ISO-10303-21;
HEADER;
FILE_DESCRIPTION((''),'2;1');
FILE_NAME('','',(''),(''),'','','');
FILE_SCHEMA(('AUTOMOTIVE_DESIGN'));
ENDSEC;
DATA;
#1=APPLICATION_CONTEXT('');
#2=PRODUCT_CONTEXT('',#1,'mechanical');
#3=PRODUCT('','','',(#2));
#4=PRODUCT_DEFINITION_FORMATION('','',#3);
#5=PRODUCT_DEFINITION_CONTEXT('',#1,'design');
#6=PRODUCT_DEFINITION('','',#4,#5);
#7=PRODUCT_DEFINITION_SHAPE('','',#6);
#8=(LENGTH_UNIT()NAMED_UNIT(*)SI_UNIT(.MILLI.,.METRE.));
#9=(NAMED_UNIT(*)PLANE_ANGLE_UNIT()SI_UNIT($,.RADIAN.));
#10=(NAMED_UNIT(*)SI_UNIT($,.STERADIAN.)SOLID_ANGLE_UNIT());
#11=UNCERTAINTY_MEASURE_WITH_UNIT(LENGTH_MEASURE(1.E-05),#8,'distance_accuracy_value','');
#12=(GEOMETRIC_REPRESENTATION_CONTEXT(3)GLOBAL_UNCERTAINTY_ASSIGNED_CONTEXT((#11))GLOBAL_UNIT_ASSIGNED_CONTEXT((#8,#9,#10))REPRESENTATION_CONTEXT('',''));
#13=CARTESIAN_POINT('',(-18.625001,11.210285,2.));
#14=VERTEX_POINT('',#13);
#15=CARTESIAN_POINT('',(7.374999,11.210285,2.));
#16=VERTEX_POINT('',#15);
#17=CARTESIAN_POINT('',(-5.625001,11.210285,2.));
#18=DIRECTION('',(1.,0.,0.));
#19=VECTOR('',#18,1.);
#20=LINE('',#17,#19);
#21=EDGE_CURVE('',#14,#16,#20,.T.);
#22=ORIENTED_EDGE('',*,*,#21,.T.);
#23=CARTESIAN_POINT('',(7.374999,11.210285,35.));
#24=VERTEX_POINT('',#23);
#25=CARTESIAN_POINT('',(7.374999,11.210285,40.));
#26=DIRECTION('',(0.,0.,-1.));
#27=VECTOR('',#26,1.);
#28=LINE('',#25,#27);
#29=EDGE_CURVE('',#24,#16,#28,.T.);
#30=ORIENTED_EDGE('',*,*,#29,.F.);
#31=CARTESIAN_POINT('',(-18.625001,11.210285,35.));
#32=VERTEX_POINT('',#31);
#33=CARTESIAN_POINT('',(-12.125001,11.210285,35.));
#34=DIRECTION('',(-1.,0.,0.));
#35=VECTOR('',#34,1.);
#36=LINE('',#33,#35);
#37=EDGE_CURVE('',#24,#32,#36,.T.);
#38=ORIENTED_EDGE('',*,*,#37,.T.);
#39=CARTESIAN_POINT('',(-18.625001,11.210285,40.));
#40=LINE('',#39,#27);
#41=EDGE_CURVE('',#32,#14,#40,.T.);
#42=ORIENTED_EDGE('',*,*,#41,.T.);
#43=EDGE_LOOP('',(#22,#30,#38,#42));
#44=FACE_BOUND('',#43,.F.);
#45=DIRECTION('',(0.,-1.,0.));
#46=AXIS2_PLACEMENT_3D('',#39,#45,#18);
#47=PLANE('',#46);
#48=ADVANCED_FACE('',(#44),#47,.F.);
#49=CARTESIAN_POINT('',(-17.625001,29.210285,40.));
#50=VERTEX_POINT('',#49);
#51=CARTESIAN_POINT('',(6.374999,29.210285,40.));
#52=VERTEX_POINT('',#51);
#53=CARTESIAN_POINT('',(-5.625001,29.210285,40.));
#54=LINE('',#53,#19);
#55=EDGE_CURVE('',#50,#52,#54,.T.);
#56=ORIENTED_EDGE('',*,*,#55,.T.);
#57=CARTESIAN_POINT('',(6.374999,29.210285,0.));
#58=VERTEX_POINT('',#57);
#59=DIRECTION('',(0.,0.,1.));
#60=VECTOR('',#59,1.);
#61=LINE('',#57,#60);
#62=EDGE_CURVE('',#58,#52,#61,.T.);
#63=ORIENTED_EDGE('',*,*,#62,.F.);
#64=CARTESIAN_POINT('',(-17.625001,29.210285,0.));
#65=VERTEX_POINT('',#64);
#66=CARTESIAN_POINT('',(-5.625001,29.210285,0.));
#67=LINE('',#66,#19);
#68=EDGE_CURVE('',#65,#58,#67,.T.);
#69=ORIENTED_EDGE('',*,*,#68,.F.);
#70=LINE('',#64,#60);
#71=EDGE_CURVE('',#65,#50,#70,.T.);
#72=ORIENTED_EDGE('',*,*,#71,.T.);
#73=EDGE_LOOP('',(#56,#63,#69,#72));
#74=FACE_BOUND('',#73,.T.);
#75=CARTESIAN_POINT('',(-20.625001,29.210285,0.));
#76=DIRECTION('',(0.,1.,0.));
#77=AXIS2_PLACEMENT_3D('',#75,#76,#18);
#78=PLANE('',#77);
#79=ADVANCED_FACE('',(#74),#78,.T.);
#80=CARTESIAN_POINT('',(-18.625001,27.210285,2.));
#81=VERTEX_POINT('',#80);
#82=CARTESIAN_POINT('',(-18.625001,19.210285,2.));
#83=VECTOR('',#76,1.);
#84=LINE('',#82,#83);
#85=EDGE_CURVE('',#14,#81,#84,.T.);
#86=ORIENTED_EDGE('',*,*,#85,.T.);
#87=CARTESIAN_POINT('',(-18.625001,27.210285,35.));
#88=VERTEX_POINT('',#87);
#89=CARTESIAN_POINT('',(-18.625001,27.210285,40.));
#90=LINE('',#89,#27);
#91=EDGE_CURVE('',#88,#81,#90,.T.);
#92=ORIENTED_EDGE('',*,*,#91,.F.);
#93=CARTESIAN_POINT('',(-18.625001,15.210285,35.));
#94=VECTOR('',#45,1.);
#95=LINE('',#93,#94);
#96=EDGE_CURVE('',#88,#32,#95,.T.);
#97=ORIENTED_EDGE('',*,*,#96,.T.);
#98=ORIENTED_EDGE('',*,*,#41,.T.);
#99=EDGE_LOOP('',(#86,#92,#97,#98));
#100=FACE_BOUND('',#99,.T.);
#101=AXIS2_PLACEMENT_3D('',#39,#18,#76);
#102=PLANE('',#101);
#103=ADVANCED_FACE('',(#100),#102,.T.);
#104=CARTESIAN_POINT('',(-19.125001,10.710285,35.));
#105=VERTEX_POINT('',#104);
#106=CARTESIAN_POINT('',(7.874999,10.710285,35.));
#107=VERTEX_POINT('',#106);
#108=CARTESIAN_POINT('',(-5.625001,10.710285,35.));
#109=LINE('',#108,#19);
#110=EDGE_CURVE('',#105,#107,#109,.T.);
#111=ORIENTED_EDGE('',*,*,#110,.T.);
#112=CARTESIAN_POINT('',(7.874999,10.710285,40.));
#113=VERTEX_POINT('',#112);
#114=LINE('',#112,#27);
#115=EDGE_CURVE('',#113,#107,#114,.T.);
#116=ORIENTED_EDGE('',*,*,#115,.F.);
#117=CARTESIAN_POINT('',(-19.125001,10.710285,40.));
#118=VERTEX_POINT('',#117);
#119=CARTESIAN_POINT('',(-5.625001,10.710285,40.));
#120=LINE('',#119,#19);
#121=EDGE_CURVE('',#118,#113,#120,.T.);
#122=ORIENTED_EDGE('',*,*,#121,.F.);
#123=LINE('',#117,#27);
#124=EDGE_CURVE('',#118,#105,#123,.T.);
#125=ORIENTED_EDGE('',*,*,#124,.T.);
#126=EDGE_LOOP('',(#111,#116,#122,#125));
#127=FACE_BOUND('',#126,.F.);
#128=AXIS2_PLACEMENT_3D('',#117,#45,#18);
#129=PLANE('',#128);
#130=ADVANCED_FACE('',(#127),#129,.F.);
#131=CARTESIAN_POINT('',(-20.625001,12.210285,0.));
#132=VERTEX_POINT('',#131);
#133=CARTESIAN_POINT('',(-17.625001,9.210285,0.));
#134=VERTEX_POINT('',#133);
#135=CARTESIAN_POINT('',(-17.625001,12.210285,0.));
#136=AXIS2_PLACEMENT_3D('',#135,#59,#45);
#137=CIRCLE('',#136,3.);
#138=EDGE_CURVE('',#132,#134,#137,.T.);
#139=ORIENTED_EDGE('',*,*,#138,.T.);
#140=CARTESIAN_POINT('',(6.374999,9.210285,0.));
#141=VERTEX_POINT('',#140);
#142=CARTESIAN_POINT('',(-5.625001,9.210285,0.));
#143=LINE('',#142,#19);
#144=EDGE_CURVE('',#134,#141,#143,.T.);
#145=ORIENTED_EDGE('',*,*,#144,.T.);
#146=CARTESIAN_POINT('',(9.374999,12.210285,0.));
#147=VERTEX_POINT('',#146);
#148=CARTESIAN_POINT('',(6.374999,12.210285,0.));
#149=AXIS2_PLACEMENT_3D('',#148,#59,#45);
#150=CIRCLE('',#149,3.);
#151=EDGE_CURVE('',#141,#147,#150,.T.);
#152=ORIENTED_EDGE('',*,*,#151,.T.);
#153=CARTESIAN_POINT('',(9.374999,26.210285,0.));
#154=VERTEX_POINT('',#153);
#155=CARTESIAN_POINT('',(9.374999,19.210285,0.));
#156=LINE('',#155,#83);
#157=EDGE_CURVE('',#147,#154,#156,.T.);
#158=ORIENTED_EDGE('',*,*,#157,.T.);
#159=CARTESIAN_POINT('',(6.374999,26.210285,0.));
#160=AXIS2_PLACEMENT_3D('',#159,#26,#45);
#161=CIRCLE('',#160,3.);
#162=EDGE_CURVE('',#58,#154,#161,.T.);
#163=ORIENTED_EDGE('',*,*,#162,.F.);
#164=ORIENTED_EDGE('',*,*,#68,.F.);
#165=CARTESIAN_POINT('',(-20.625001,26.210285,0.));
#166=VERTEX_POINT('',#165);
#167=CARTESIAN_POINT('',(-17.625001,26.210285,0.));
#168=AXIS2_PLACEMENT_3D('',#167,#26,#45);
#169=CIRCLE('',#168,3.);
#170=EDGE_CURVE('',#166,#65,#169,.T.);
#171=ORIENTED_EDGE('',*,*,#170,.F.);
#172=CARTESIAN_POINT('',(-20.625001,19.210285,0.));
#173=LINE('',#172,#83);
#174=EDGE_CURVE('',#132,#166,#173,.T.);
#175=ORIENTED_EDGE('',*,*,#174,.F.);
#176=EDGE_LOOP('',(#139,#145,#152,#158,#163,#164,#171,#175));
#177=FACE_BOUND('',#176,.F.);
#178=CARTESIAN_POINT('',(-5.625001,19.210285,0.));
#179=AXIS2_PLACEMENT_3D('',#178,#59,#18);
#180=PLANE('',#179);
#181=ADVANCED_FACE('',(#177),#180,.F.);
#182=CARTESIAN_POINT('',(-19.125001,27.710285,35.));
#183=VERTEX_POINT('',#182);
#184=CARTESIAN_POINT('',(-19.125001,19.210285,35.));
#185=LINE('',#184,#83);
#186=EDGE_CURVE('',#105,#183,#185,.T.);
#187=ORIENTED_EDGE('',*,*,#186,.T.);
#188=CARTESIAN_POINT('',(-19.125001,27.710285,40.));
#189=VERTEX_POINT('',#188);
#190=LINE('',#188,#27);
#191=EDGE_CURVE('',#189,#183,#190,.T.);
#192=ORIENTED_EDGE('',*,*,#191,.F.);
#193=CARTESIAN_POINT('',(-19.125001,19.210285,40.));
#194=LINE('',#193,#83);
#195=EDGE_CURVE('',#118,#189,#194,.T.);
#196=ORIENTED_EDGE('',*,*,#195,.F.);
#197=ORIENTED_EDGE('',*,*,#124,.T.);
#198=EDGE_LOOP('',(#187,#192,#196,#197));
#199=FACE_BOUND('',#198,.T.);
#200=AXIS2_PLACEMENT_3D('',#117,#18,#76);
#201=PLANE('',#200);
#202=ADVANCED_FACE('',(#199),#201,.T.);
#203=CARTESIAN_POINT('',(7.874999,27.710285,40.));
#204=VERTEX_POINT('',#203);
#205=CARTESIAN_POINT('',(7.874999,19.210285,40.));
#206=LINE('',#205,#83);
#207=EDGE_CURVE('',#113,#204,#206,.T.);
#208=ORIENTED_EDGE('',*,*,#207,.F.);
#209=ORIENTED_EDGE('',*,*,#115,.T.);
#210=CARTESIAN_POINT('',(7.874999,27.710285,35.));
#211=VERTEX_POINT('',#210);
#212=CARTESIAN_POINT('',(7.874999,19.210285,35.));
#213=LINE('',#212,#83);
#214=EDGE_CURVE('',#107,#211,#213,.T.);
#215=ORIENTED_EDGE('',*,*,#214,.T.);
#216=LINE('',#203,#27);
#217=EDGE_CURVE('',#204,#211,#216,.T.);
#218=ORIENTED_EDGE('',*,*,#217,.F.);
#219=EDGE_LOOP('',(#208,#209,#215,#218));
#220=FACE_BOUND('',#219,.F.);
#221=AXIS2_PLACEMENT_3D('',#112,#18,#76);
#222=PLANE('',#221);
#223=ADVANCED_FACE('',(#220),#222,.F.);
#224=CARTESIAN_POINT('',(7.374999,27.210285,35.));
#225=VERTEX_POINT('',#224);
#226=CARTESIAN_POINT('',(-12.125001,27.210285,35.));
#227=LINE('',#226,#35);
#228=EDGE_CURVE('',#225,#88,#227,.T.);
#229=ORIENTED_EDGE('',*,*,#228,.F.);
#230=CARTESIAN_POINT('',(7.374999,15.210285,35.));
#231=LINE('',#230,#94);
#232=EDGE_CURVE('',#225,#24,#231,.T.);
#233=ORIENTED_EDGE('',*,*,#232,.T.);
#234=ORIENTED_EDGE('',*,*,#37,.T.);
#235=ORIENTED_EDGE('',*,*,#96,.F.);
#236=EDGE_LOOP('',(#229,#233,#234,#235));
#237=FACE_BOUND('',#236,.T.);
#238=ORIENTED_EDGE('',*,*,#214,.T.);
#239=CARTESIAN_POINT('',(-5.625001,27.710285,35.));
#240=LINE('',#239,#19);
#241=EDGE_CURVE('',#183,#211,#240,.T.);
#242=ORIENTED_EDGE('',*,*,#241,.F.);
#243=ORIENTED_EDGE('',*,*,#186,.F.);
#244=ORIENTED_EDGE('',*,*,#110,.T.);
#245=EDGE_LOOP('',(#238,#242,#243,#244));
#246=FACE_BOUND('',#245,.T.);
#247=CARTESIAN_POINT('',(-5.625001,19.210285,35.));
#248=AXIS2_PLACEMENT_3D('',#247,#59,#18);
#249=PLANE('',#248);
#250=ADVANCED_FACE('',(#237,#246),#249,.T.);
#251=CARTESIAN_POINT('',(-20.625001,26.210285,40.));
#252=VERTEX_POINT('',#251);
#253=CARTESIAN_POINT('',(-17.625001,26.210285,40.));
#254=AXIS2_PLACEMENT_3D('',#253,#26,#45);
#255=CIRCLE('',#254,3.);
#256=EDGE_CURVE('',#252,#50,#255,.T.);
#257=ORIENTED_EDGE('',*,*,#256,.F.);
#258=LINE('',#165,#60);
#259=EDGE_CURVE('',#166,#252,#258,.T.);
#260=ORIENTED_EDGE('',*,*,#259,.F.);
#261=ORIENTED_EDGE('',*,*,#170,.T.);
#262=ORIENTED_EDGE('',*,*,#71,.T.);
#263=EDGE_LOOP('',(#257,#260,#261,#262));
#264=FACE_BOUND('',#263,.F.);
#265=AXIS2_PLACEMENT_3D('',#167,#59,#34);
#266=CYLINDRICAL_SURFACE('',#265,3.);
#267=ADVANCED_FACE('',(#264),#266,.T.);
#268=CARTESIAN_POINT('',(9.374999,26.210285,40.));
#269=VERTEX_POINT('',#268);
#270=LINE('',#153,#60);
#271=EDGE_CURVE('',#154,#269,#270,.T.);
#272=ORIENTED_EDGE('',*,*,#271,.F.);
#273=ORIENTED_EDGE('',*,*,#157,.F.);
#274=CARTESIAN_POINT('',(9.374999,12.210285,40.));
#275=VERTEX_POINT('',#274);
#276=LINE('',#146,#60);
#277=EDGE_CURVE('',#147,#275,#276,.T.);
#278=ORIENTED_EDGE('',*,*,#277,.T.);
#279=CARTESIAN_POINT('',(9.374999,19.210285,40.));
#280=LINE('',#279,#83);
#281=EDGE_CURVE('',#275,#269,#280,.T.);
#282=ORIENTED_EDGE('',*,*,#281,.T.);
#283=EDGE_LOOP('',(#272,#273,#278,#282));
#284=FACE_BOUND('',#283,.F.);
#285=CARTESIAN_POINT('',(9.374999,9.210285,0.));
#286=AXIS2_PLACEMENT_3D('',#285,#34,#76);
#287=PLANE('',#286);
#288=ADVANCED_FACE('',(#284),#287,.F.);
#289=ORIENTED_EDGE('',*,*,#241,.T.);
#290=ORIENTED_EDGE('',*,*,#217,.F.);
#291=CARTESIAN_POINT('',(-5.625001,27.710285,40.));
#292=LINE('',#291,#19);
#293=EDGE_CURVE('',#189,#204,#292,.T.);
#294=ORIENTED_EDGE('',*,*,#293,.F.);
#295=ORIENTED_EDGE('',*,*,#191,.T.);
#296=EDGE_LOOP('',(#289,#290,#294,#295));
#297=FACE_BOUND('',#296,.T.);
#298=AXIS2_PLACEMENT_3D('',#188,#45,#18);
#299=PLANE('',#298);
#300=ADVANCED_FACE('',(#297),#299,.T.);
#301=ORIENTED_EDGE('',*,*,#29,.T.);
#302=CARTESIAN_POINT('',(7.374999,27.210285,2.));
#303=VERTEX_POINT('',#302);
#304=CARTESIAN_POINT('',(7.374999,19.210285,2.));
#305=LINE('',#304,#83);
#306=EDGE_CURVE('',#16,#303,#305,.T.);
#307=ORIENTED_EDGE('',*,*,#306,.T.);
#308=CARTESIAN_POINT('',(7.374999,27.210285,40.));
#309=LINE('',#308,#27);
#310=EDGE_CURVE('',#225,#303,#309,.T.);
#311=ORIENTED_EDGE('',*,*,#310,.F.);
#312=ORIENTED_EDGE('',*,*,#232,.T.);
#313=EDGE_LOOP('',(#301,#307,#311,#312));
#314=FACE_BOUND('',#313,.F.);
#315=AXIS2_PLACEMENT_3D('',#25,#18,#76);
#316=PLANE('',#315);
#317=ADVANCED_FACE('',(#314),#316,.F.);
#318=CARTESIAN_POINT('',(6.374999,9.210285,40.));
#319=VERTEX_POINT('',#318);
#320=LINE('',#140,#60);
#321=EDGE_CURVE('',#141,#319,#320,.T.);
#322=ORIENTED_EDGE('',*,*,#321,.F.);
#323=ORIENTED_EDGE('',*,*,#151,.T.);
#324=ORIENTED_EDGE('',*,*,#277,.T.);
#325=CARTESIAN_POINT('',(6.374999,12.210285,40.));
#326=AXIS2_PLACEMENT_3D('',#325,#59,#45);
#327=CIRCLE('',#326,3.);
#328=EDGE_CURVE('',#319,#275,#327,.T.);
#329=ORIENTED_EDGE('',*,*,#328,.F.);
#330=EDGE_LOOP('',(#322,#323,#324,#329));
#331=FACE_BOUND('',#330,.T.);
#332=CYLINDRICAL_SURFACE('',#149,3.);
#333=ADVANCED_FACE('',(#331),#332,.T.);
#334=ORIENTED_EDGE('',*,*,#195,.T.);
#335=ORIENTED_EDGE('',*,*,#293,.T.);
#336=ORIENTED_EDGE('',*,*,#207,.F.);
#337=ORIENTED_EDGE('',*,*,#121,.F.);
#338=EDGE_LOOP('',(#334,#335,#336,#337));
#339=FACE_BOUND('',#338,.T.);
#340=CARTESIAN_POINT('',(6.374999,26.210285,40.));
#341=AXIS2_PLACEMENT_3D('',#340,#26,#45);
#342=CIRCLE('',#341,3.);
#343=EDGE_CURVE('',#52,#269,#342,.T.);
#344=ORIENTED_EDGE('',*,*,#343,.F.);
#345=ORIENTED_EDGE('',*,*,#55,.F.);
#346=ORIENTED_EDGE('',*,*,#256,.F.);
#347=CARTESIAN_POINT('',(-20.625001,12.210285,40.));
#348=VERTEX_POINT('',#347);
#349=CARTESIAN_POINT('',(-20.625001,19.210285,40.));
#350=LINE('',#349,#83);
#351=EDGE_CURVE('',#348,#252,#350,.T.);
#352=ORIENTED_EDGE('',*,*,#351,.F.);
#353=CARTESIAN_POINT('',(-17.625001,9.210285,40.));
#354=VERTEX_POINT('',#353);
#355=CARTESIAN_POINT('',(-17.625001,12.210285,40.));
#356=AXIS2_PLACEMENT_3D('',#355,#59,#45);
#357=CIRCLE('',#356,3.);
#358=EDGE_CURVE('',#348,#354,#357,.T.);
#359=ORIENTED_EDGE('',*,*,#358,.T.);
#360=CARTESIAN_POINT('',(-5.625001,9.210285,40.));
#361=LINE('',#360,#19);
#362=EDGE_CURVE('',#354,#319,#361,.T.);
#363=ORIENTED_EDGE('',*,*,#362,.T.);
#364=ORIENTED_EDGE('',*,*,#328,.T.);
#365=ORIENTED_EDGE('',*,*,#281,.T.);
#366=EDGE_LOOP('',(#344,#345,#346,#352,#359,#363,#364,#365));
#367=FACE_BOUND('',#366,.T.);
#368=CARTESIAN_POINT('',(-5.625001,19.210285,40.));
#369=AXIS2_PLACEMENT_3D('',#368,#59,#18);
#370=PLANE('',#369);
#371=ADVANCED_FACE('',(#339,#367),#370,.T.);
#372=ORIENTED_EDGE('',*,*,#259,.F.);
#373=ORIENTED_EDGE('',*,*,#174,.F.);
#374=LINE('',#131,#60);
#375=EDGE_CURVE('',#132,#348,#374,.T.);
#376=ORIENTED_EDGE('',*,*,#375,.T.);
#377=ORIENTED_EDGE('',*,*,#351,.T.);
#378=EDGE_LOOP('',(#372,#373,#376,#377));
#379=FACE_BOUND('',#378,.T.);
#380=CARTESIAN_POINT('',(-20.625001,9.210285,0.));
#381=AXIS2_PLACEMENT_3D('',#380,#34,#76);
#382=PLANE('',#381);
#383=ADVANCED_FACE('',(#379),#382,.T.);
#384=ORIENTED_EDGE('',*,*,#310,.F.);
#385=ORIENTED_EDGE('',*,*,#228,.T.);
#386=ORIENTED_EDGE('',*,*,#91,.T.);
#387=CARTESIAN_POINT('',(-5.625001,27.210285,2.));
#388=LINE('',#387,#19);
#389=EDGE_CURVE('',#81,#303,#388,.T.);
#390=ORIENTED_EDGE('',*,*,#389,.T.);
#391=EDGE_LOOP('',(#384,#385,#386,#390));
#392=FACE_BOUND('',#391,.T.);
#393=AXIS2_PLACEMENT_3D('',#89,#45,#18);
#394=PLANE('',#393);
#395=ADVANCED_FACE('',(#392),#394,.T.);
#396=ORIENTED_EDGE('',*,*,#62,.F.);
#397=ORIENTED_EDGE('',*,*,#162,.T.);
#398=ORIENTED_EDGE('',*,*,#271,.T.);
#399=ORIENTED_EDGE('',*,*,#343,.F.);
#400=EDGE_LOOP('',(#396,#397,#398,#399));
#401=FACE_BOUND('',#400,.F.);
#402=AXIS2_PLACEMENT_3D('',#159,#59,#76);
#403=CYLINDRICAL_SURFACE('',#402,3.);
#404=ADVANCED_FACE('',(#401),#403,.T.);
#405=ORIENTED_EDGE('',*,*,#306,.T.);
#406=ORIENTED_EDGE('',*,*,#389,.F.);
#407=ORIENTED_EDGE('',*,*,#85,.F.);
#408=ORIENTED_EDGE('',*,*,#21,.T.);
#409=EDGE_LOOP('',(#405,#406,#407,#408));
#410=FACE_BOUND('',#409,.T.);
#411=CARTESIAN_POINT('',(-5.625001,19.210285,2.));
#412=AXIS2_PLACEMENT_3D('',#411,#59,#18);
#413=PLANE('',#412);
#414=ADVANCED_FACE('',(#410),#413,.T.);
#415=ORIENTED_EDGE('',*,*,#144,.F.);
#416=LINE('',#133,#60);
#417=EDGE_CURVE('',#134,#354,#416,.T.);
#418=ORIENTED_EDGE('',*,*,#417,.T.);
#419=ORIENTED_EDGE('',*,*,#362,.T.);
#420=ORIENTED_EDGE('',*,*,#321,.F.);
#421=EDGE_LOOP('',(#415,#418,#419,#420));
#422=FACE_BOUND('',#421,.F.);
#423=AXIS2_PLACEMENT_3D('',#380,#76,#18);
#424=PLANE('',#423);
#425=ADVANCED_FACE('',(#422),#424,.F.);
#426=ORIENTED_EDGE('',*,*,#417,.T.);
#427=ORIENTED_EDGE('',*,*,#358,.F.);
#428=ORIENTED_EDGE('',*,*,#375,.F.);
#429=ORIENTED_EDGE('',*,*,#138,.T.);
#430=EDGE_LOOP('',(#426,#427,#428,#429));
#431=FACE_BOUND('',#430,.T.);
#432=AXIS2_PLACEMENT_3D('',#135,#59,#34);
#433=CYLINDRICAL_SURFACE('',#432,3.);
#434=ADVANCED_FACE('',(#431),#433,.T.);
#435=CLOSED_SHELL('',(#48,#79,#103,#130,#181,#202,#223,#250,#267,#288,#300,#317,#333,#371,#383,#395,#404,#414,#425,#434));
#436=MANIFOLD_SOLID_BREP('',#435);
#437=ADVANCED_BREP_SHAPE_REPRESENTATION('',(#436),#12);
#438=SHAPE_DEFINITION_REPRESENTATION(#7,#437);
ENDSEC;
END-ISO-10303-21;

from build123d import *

# Parameters (mm, degrees)
F0_W     = 30
F0_H     = 20
F1_DEPTH = 40
F2_W     = 26
F2_H     = 16
F3_DEPTH = 38
F4_W     = 27
F4_H     = 17
F5_DEPTH = 5
F6_R     = 3


with BuildPart() as f1:
    # F0 (on Top) → F1 (new body)
    with BuildSketch(Plane.XY):
        with Locations((-5.625001, 19.210285)):
            Rectangle(F0_W, F0_H)
    extrude(amount=F1_DEPTH)

    # F2 (on face) → F3 (cut)
    with BuildSketch(Plane.XY.offset(40)):
        with Locations((-5.625001, 19.210285)):
            Rectangle(F2_W, F2_H)
    extrude(amount=-F3_DEPTH, mode=Mode.SUBTRACT)

    # F4 (on face) → F5 (cut)
    with BuildSketch(Plane.XY.offset(40)):
        with Locations((-5.625001, 19.210285)):
            Rectangle(F4_W, F4_H)
    extrude(amount=-F5_DEPTH, mode=Mode.SUBTRACT)

    # F6
    f6_edges = [f1.edges().sort_by_distance(p)[0] for p in [
        (-20.625001, 9.210285, 20),
        (-20.625001, 29.210285, 20),
        (9.374999, 9.210285, 20),
        (9.374999, 29.210285, 20),
    ]]
    fillet(f6_edges, radius=F6_R)


solid = f1.part
